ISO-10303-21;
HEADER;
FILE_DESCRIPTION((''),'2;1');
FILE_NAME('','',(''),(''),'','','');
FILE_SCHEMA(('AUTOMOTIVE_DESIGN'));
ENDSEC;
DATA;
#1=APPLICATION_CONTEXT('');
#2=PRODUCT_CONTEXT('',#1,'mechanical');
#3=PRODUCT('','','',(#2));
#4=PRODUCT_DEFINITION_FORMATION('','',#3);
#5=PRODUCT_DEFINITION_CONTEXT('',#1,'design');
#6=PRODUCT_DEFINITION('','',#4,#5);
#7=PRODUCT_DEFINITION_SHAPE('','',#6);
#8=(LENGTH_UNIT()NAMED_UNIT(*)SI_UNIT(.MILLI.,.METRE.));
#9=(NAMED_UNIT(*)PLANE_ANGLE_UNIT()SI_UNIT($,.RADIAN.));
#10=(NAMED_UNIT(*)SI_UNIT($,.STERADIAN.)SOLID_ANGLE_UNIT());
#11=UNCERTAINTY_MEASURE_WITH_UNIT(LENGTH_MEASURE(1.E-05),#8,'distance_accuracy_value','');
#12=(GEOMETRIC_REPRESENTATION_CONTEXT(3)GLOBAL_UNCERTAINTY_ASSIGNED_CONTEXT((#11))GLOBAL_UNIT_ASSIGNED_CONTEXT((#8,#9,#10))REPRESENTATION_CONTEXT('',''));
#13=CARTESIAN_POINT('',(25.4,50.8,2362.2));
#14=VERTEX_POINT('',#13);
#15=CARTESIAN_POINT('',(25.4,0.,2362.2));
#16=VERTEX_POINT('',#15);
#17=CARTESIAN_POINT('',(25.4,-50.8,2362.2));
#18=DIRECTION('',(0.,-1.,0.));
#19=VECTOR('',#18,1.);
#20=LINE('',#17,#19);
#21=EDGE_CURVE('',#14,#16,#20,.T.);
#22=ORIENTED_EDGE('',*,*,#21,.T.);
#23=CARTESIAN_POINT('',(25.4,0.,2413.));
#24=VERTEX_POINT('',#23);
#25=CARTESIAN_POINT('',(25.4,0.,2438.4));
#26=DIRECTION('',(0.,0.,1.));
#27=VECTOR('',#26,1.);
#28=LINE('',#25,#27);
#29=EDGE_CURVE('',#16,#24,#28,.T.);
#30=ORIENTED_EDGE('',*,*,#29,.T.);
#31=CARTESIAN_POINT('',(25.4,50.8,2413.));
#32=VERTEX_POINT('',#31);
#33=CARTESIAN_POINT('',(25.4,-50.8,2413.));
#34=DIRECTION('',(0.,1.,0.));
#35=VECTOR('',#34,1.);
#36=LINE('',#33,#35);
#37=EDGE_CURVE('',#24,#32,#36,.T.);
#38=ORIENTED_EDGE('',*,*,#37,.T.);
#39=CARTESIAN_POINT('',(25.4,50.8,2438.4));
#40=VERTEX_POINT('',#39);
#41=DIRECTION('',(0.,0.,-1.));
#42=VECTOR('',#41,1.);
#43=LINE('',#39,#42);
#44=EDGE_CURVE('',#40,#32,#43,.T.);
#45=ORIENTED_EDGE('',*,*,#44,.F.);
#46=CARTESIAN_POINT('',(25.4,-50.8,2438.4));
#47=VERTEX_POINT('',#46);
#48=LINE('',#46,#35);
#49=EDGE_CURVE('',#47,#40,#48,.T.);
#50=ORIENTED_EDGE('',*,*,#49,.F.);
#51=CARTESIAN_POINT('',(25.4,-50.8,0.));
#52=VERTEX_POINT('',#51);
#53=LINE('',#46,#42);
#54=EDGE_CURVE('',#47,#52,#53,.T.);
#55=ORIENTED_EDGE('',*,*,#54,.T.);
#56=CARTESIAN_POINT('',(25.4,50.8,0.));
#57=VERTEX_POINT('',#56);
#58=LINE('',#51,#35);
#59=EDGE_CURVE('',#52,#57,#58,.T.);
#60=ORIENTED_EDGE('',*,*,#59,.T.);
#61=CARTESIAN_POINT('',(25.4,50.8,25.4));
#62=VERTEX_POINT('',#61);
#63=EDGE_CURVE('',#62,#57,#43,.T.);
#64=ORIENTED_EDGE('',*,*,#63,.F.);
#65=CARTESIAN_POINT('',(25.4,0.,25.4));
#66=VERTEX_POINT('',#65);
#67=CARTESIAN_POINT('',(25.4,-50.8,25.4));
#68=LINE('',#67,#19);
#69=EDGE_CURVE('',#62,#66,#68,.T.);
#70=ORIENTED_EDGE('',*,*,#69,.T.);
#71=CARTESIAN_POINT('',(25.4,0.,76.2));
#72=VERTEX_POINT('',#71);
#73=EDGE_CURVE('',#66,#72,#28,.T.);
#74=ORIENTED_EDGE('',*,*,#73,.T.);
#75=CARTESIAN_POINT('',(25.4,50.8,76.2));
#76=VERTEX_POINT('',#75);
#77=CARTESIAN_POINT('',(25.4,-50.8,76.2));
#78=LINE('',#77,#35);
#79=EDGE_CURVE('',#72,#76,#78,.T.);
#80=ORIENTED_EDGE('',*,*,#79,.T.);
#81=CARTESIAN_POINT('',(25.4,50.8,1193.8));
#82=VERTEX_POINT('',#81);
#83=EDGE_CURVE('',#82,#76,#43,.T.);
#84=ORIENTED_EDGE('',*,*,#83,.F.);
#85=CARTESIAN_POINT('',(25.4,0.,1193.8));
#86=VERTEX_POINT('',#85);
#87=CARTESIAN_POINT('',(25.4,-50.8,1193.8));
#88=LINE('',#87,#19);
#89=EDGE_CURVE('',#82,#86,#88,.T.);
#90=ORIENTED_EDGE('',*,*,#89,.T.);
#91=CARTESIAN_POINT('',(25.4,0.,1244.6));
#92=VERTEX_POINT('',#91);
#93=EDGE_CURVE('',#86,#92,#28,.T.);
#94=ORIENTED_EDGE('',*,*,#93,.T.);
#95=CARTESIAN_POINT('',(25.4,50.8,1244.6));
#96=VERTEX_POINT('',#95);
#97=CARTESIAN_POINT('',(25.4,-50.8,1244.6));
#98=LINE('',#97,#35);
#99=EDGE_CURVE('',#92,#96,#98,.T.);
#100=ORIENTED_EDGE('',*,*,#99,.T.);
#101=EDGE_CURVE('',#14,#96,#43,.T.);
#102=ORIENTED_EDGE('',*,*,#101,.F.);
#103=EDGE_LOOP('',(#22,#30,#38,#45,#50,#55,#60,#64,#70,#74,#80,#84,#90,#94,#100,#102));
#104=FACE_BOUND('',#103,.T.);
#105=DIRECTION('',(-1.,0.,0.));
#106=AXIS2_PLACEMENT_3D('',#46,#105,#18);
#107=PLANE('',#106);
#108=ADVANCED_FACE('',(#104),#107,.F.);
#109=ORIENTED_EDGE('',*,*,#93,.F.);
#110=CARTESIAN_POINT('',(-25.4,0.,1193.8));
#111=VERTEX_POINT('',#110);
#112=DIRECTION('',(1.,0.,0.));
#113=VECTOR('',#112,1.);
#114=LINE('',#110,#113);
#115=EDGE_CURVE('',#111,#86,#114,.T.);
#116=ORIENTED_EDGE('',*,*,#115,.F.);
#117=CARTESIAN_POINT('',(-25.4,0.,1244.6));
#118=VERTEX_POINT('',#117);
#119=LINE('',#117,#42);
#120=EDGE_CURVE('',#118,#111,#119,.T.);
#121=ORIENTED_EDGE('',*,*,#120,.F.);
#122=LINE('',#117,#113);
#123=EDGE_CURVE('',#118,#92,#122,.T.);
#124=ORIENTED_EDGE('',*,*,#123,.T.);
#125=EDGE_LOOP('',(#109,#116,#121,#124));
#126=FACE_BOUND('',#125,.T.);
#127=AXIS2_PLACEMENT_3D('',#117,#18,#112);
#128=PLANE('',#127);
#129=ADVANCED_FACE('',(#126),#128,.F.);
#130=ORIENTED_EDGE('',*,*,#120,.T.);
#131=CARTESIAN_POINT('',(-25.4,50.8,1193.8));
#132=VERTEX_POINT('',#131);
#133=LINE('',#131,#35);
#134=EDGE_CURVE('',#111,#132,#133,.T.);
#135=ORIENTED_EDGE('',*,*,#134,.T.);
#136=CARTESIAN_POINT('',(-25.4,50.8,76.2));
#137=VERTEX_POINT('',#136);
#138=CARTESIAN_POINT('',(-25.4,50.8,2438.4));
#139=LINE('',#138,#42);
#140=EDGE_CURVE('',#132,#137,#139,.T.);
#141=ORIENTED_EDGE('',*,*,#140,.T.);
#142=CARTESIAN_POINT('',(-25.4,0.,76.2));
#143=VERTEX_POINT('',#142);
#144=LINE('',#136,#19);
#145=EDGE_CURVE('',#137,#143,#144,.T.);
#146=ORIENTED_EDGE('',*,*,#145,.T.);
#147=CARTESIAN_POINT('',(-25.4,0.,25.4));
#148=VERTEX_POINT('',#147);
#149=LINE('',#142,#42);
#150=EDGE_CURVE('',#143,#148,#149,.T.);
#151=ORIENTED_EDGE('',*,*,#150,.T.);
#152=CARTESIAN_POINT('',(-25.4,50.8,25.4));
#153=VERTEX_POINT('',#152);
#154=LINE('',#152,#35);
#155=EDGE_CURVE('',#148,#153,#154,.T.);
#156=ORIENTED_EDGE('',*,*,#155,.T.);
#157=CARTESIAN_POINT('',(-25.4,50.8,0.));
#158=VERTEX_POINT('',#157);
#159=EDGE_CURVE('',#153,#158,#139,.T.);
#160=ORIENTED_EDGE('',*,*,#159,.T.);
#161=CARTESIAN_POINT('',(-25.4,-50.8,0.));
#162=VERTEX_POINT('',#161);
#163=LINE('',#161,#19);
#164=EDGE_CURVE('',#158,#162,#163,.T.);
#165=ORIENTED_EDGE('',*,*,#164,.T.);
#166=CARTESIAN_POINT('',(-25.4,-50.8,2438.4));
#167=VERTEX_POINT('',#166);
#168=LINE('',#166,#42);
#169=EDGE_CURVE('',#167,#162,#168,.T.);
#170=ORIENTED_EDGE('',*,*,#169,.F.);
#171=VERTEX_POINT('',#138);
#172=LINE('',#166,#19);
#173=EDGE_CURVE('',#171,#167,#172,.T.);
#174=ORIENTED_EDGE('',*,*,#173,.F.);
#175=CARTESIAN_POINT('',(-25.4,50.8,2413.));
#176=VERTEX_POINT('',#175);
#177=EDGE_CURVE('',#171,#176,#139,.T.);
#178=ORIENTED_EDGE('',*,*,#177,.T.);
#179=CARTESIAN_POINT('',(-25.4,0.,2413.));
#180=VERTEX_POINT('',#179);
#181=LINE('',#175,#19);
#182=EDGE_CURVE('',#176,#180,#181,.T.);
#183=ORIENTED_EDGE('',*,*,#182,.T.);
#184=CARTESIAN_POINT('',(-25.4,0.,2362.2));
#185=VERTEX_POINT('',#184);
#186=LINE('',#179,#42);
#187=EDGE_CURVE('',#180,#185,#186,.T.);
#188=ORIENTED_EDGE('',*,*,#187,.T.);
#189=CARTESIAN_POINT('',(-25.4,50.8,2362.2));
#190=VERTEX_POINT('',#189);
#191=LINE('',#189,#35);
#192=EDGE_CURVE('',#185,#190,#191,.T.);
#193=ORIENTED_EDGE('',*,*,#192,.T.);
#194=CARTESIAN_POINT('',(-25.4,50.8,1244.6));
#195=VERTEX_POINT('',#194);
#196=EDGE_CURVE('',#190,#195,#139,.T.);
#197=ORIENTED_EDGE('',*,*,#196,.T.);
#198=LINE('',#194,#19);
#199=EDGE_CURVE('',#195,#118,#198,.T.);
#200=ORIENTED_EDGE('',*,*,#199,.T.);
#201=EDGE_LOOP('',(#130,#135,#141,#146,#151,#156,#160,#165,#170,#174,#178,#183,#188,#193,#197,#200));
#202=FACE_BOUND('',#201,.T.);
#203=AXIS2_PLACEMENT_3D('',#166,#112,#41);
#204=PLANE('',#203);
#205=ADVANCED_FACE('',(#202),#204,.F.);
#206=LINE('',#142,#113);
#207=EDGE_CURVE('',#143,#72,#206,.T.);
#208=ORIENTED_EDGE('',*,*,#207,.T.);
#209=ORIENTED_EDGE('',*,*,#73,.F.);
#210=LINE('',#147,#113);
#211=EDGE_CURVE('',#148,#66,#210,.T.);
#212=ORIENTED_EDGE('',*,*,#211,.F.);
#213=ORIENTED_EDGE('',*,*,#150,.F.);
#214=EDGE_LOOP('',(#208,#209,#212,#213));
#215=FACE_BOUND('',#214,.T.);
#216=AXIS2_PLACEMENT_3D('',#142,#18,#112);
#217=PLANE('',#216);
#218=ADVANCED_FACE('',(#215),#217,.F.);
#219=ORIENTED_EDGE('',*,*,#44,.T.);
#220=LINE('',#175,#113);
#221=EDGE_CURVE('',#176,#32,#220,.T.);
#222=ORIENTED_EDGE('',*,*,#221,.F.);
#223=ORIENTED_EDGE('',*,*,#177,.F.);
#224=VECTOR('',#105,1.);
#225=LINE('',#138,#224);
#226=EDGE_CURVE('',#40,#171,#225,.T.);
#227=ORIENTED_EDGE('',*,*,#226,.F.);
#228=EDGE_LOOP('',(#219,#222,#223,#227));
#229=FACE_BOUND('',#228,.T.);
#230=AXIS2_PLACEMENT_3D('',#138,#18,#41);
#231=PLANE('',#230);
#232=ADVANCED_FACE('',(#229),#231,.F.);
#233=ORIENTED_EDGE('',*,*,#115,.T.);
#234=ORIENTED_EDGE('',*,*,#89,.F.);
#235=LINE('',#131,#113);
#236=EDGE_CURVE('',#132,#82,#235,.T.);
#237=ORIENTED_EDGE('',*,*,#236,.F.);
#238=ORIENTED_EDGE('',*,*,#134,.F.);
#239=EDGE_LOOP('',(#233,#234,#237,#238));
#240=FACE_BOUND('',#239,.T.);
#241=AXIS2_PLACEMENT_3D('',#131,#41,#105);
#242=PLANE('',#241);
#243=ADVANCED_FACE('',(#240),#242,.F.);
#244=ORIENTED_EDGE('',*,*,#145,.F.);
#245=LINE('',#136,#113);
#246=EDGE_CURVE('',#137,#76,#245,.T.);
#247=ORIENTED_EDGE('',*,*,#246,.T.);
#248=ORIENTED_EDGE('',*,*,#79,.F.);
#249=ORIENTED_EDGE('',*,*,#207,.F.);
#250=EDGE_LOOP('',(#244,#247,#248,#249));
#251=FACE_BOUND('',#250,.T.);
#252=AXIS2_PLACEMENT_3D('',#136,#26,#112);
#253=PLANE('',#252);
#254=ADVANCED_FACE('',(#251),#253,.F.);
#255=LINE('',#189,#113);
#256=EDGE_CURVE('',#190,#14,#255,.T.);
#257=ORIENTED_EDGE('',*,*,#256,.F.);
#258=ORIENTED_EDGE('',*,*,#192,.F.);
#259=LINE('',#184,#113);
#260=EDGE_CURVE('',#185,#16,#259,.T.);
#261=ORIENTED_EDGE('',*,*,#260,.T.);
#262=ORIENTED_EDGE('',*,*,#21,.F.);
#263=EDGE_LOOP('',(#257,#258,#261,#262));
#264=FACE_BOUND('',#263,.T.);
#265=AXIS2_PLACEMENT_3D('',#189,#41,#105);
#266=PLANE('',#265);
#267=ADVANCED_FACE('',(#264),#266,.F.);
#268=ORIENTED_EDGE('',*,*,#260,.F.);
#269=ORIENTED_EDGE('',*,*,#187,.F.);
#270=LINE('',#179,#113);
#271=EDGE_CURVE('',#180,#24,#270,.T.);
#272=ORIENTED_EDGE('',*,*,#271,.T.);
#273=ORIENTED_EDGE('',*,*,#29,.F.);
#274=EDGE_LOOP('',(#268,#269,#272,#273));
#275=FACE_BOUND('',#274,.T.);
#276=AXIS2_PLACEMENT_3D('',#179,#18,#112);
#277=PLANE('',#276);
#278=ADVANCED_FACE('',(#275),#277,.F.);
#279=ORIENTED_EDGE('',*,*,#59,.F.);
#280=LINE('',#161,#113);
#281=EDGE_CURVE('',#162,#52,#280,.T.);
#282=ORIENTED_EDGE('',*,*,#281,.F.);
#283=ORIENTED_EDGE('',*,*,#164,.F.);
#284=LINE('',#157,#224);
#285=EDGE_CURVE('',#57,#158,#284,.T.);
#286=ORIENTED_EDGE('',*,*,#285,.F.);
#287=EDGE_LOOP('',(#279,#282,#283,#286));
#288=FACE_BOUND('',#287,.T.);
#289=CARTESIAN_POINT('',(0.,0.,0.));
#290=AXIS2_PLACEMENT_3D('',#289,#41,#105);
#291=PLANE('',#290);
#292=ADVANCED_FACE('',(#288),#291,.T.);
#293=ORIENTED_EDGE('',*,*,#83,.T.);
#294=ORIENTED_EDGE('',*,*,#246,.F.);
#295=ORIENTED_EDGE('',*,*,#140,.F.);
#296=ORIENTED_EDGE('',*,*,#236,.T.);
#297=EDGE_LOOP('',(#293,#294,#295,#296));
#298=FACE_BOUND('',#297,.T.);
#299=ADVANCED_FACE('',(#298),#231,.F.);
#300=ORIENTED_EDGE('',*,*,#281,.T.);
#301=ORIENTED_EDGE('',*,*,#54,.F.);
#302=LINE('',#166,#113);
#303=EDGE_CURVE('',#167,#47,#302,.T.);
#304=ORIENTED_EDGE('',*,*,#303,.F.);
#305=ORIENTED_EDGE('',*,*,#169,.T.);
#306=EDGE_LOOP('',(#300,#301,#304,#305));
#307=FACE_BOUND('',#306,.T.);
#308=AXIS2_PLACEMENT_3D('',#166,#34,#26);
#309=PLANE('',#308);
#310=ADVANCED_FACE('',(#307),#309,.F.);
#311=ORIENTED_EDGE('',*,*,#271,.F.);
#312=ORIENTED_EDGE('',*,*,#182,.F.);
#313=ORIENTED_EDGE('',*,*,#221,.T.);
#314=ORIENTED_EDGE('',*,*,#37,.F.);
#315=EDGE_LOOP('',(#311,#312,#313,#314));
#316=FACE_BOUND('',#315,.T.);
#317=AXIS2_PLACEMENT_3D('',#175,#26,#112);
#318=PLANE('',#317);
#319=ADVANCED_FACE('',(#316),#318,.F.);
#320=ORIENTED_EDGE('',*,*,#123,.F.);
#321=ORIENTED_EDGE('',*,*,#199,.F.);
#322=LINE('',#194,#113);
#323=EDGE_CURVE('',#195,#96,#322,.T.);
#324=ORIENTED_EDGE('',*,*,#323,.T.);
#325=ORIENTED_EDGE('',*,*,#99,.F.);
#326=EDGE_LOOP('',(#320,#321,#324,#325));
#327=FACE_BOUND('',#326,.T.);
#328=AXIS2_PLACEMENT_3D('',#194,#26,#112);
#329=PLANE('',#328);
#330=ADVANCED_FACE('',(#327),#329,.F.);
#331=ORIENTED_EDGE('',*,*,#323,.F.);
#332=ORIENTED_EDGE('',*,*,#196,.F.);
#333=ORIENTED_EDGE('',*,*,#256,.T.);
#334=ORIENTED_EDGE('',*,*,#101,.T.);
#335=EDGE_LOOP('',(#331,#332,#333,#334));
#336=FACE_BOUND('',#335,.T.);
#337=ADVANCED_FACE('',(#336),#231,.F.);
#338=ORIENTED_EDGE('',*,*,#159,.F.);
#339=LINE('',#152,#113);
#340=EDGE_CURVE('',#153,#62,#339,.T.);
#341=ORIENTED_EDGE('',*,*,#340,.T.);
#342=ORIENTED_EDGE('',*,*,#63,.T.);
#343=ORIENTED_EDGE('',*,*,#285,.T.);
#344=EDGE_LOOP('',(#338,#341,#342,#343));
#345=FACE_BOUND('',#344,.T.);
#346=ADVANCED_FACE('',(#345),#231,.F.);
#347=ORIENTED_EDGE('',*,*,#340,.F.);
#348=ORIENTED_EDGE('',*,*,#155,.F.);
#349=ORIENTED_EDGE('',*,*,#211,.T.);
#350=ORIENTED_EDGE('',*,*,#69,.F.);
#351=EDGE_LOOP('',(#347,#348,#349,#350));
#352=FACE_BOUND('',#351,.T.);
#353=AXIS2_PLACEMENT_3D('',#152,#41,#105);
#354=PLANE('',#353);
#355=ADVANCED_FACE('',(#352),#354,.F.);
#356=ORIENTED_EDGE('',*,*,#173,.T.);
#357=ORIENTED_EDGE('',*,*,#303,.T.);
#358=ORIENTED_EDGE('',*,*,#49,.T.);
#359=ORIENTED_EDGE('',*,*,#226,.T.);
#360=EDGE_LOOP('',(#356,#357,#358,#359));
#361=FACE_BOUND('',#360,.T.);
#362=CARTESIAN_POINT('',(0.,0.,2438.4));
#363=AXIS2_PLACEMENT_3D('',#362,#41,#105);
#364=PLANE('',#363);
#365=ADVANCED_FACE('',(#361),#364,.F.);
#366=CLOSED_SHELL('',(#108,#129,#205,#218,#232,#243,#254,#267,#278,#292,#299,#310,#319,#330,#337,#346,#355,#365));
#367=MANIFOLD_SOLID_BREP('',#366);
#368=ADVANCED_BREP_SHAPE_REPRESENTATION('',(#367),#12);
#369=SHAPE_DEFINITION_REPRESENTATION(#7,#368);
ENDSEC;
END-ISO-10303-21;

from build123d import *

# Parameters (mm, degrees)
SKETCH1_W               = 50.8
SKETCH1_H               = 101.6
BOSS_EXTRUDE1_DEPTH     = 2438.4
CUT_EXTRUDE1_DEPTH      = 2440.45810376
CUT_EXTRUDE1_DEPTH_BACK = 2440.45810376
SKETCH2_W               = 50.8
SKETCH2_H               = 50.8


with BuildPart() as part:
    # Sketch1 → Boss-Extrude1 (new body)
    with BuildSketch(Plane.XY):
        Rectangle(SKETCH1_W, SKETCH1_H)
    extrude(amount=BOSS_EXTRUDE1_DEPTH)

    # Sketch2 → Cut-Extrude1 (cut, two sides: drawn at the far end of the back side and taken through both)
    with BuildSketch(Plane(origin=(25.4, 0, 0), x_dir=(0, 0, -1), z_dir=(1, 0, 0)).offset(-CUT_EXTRUDE1_DEPTH_BACK)):
        with Locations((-1219.2, 25.4)):
            Rectangle(SKETCH2_W, SKETCH2_H)
        with Locations((-2387.6, 25.4)):
            Rectangle(SKETCH2_W, SKETCH2_H)
        with Locations((-50.8, 25.4)):
            Rectangle(SKETCH2_W, SKETCH2_H)
    extrude(amount=CUT_EXTRUDE1_DEPTH + CUT_EXTRUDE1_DEPTH_BACK, mode=Mode.SUBTRACT)


solid = part.part
